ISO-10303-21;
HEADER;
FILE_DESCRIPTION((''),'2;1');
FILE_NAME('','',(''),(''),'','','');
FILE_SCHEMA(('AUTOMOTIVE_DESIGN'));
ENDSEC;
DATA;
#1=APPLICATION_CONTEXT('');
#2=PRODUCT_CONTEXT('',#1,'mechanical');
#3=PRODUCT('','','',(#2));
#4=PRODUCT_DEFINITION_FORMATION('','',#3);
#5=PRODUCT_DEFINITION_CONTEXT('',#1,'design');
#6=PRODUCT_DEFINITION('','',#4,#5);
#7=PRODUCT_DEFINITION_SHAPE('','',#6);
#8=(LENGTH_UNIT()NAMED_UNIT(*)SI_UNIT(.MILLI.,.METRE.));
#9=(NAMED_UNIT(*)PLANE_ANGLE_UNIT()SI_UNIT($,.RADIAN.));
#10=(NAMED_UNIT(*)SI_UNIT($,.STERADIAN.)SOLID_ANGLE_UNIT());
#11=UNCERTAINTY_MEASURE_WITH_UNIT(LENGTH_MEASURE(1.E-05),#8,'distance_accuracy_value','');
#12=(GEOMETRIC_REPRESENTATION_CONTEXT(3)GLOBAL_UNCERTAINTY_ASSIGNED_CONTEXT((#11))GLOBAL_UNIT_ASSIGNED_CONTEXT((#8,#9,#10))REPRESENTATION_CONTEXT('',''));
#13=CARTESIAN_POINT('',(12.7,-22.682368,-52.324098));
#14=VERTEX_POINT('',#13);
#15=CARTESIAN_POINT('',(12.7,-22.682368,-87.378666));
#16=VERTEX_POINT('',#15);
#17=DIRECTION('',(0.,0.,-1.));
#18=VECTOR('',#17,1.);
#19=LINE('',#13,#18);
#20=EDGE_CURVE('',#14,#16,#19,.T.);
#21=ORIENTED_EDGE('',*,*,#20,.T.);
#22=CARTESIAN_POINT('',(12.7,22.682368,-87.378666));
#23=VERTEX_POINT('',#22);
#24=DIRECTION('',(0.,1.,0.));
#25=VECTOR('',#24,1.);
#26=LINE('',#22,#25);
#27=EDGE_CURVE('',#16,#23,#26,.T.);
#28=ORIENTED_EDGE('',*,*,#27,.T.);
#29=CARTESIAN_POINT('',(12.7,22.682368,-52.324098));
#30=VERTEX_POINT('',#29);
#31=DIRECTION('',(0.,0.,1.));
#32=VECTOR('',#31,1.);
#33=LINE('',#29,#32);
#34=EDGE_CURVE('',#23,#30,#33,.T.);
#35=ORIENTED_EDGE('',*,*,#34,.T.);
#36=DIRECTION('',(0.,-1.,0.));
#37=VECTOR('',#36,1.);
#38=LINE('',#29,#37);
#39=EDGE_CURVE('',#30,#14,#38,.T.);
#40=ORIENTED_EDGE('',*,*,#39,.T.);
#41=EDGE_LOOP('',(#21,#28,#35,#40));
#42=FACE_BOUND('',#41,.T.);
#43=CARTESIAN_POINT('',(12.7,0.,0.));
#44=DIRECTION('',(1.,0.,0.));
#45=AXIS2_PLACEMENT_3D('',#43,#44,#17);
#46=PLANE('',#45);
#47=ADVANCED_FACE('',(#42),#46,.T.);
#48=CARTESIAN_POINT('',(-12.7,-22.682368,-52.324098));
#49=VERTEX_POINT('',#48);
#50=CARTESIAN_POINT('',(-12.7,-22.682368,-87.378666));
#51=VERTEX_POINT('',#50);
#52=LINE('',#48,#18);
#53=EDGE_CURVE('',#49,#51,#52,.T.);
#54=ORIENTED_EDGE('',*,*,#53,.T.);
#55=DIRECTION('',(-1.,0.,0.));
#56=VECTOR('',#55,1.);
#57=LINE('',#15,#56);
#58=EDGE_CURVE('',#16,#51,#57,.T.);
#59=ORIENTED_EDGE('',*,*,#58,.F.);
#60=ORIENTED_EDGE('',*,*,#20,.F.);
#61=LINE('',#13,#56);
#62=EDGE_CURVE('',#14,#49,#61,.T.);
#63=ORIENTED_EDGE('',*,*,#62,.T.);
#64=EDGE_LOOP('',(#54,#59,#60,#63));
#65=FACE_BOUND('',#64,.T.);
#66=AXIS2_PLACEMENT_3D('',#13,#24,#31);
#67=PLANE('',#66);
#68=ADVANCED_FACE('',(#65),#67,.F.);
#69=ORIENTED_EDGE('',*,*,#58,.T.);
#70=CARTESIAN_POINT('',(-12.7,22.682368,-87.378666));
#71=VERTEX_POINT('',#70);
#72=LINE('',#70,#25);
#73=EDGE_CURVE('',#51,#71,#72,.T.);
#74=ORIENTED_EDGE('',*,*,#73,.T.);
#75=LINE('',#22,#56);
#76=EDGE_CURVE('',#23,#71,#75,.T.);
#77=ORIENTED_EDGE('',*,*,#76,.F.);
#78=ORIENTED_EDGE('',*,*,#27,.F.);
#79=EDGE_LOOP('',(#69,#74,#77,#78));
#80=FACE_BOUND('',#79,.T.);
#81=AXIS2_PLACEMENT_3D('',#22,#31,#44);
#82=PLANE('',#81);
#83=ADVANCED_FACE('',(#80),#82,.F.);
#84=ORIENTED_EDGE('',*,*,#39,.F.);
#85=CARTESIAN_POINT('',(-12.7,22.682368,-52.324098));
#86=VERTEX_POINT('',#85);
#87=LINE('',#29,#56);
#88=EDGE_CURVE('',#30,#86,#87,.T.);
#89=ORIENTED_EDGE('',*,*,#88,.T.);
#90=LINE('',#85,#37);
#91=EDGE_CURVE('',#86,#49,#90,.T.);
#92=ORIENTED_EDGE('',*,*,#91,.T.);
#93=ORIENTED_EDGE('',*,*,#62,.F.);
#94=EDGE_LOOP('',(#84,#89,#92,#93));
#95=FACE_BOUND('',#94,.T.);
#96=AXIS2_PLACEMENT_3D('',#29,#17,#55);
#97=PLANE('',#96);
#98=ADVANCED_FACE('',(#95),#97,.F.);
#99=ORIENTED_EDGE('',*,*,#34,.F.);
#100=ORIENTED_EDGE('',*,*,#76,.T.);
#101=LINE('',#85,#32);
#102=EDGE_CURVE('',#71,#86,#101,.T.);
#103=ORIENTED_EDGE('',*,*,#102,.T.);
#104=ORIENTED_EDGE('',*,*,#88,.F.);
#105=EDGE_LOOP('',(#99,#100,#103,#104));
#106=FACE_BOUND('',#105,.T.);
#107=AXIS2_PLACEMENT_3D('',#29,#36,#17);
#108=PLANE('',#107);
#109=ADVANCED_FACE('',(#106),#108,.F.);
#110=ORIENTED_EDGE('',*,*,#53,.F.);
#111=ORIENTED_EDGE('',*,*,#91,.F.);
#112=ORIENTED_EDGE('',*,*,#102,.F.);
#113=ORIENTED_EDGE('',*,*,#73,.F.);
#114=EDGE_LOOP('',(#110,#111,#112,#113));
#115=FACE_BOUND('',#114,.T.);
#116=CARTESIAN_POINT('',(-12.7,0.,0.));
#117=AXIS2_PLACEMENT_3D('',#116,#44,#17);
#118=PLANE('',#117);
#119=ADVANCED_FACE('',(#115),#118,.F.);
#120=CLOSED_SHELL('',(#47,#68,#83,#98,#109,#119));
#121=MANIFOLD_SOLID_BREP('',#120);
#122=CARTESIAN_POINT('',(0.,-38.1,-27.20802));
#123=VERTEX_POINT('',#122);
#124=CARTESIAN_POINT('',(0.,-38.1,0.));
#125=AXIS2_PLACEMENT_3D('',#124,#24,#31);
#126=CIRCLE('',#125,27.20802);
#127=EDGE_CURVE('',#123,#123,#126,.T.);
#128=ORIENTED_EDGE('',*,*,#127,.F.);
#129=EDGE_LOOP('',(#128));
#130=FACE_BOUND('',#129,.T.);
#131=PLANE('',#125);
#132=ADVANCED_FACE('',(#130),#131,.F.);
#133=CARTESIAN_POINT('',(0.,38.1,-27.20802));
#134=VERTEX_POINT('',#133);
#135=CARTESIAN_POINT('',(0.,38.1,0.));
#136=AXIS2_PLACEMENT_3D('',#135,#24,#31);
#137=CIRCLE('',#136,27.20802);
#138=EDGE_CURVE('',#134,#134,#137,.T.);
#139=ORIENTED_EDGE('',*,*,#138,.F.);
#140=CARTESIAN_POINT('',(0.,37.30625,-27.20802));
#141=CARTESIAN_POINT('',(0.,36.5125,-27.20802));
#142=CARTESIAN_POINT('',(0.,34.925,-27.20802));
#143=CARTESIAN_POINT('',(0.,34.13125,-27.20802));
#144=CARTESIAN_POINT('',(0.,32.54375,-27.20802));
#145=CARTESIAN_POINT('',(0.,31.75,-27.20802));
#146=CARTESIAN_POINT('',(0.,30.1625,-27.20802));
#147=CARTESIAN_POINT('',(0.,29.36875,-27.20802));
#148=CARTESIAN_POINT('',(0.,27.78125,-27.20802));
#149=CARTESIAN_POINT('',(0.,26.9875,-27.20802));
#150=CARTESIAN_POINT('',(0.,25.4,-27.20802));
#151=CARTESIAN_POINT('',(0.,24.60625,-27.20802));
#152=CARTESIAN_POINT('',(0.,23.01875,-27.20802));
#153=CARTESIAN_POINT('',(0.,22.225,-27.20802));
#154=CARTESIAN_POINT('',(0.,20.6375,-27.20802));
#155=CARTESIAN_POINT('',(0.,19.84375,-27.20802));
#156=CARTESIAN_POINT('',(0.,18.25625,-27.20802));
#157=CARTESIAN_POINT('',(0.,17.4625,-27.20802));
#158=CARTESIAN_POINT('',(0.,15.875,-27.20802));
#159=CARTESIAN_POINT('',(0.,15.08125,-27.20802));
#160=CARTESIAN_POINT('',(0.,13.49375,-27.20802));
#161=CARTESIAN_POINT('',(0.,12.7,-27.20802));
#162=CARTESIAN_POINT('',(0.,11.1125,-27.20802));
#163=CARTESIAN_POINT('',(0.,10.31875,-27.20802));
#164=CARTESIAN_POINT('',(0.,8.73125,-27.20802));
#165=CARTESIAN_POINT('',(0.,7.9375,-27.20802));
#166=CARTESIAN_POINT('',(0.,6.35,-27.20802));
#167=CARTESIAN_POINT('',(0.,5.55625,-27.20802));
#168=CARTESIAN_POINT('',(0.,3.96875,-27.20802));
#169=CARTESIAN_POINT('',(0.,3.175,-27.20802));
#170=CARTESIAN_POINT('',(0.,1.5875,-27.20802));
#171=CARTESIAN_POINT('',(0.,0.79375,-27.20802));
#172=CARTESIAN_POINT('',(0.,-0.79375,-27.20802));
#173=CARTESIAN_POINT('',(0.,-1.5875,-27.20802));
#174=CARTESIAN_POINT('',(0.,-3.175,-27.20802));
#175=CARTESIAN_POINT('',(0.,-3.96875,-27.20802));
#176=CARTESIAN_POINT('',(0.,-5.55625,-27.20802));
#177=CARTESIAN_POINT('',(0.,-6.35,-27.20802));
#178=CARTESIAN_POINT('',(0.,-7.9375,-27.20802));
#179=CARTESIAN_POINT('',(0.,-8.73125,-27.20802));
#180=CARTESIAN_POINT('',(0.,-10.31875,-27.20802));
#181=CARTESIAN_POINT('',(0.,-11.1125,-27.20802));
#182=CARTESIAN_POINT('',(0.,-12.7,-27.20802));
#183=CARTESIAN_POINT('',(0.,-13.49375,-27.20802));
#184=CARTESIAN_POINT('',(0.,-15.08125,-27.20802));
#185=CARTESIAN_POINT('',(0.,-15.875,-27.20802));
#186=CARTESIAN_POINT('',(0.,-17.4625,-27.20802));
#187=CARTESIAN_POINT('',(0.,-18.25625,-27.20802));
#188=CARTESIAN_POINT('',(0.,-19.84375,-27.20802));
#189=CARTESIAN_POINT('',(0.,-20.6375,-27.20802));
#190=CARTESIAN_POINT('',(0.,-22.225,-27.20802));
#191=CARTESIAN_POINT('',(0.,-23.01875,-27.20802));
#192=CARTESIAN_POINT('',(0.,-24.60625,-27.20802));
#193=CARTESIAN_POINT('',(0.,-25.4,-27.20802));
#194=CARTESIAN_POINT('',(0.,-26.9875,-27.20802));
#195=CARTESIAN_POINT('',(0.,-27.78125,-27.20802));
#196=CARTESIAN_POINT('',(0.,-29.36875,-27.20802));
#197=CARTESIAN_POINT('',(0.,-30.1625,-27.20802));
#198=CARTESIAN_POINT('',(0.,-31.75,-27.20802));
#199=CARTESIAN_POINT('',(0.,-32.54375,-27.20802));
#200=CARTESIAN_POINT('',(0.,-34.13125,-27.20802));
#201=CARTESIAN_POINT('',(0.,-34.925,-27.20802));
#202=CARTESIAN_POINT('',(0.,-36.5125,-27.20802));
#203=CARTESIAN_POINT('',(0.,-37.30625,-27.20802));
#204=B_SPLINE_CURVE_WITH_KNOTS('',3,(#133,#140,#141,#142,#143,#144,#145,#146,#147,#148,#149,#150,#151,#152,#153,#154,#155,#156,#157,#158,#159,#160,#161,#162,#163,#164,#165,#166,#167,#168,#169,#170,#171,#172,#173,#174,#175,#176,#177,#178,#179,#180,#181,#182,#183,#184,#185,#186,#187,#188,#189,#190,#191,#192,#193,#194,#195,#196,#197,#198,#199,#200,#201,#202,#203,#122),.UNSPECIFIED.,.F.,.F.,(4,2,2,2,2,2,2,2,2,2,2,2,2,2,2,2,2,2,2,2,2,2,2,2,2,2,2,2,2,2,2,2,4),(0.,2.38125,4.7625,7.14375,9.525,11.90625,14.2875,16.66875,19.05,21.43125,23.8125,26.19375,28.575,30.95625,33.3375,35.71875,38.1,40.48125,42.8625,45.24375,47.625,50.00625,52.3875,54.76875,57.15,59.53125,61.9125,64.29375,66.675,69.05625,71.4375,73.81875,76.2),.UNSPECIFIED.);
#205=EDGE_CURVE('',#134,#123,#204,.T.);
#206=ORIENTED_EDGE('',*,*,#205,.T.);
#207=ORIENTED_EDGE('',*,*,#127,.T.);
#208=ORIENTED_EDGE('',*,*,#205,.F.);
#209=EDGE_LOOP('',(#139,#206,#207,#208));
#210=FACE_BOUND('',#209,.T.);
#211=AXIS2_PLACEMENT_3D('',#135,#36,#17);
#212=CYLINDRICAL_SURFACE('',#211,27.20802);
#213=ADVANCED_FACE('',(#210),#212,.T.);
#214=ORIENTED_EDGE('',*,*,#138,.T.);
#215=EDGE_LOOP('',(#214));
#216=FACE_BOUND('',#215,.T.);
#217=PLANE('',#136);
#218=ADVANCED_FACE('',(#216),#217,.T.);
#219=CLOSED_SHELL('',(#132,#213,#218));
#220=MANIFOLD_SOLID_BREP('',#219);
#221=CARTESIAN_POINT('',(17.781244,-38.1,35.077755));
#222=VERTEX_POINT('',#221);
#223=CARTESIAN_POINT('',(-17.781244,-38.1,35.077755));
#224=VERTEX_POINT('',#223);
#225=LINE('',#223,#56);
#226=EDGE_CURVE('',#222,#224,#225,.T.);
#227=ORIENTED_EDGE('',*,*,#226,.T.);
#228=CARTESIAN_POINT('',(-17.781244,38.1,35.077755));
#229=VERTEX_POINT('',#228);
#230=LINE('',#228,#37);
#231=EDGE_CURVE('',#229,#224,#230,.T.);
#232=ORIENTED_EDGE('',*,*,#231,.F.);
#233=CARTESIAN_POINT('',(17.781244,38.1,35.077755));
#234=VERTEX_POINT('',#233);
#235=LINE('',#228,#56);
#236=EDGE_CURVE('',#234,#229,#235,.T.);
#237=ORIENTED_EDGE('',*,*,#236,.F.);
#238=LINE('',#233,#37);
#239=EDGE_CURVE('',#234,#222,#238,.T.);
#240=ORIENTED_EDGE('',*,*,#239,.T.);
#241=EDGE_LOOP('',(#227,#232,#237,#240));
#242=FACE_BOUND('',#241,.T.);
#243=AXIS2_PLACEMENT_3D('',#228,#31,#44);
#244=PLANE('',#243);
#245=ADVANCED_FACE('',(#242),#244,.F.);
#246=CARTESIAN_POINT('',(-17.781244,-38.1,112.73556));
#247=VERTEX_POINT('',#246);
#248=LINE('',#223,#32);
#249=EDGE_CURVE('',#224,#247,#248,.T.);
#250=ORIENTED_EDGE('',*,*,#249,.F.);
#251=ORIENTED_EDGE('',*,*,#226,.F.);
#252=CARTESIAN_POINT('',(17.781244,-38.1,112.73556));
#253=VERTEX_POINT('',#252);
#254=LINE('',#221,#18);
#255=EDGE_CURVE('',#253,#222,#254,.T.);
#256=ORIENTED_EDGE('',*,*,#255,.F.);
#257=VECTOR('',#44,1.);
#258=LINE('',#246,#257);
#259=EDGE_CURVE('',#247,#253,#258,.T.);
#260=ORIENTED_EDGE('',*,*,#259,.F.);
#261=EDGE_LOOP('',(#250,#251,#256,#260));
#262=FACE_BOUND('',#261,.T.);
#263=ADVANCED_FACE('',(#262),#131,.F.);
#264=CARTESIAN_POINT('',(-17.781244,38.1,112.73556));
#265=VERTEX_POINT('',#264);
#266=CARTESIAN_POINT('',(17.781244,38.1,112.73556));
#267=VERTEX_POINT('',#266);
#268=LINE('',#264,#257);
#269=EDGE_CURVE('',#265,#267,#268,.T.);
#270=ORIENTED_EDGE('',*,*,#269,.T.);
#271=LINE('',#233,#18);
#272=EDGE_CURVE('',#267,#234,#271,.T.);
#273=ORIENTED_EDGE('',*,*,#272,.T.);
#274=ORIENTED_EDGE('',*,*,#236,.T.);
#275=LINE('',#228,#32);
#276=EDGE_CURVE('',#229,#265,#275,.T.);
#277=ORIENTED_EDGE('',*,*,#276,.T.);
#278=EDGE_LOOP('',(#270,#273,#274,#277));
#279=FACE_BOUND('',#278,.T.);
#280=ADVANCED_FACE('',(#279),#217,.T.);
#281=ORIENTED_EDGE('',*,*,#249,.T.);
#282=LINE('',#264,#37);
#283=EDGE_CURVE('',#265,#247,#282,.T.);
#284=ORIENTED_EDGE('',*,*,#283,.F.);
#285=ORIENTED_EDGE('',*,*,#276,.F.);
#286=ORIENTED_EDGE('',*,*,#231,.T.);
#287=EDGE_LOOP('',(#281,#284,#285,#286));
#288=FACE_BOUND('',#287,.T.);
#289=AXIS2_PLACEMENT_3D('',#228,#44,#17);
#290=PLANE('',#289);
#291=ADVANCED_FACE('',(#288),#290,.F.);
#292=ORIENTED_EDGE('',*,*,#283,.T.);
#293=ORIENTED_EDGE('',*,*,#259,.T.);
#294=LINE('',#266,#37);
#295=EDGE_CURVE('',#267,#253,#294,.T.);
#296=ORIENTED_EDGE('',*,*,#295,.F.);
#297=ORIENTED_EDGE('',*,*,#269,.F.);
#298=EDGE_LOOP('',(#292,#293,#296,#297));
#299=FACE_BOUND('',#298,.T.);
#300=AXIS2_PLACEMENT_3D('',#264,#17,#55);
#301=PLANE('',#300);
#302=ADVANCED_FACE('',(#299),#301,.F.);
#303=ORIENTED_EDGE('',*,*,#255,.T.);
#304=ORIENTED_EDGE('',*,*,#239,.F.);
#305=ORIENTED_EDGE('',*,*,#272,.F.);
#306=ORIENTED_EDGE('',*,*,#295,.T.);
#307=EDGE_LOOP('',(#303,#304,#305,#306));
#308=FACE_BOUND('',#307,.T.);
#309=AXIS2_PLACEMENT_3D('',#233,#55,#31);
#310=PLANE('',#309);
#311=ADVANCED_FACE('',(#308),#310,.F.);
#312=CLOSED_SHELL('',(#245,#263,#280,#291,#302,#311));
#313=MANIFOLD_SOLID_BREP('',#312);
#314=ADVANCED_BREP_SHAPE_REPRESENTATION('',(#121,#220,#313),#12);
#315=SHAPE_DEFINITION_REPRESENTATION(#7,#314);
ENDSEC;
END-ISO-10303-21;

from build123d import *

# Parameters (mm, degrees)
SKETCH1_W             = 35.054568066
SKETCH1_H             = 45.364735144
BOSS_EXTRUDE1_DEPTH   = 12.7
SKETCH2_R             = 27.208020157
BOSS_EXTRUDE2_DEPTH   = 38.1
SKETCH2_W             = 35.562487798
SKETCH2_H             = 77.657804896
BOSS_EXTRUDE2_2_DEPTH = 38.1


with BuildPart() as part:
    # Sketch1 → Boss-Extrude1 (new, symmetric)
    with BuildSketch(Plane(origin=(0, 0, 0), x_dir=(0, 0, -1), z_dir=(1, 0, 0))):
        with Locations((69.851381954, 0)):
            Rectangle(SKETCH1_W, SKETCH1_H)
    extrude(amount=BOSS_EXTRUDE1_DEPTH, both=True)


with BuildPart() as body_2:
    # Sketch2 → Boss-Extrude2 (new, symmetric)
    with BuildSketch(Plane(origin=(0, 0, 0), x_dir=(1, 0, 0), z_dir=(0, 1, 0))):
        Circle(SKETCH2_R)
    extrude(amount=BOSS_EXTRUDE2_DEPTH, both=True)


with BuildPart() as body_3:
    # Sketch2 → Boss-Extrude2 2 (new, symmetric)
    with BuildSketch(Plane(origin=(0, 0, 0), x_dir=(1, 0, 0), z_dir=(0, 1, 0))):
        with Locations((0, -73.906657099)):
            Rectangle(SKETCH2_W, SKETCH2_H)
    extrude(amount=BOSS_EXTRUDE2_2_DEPTH, both=True)


solid = Compound([part.part, body_2.part, body_3.part])
